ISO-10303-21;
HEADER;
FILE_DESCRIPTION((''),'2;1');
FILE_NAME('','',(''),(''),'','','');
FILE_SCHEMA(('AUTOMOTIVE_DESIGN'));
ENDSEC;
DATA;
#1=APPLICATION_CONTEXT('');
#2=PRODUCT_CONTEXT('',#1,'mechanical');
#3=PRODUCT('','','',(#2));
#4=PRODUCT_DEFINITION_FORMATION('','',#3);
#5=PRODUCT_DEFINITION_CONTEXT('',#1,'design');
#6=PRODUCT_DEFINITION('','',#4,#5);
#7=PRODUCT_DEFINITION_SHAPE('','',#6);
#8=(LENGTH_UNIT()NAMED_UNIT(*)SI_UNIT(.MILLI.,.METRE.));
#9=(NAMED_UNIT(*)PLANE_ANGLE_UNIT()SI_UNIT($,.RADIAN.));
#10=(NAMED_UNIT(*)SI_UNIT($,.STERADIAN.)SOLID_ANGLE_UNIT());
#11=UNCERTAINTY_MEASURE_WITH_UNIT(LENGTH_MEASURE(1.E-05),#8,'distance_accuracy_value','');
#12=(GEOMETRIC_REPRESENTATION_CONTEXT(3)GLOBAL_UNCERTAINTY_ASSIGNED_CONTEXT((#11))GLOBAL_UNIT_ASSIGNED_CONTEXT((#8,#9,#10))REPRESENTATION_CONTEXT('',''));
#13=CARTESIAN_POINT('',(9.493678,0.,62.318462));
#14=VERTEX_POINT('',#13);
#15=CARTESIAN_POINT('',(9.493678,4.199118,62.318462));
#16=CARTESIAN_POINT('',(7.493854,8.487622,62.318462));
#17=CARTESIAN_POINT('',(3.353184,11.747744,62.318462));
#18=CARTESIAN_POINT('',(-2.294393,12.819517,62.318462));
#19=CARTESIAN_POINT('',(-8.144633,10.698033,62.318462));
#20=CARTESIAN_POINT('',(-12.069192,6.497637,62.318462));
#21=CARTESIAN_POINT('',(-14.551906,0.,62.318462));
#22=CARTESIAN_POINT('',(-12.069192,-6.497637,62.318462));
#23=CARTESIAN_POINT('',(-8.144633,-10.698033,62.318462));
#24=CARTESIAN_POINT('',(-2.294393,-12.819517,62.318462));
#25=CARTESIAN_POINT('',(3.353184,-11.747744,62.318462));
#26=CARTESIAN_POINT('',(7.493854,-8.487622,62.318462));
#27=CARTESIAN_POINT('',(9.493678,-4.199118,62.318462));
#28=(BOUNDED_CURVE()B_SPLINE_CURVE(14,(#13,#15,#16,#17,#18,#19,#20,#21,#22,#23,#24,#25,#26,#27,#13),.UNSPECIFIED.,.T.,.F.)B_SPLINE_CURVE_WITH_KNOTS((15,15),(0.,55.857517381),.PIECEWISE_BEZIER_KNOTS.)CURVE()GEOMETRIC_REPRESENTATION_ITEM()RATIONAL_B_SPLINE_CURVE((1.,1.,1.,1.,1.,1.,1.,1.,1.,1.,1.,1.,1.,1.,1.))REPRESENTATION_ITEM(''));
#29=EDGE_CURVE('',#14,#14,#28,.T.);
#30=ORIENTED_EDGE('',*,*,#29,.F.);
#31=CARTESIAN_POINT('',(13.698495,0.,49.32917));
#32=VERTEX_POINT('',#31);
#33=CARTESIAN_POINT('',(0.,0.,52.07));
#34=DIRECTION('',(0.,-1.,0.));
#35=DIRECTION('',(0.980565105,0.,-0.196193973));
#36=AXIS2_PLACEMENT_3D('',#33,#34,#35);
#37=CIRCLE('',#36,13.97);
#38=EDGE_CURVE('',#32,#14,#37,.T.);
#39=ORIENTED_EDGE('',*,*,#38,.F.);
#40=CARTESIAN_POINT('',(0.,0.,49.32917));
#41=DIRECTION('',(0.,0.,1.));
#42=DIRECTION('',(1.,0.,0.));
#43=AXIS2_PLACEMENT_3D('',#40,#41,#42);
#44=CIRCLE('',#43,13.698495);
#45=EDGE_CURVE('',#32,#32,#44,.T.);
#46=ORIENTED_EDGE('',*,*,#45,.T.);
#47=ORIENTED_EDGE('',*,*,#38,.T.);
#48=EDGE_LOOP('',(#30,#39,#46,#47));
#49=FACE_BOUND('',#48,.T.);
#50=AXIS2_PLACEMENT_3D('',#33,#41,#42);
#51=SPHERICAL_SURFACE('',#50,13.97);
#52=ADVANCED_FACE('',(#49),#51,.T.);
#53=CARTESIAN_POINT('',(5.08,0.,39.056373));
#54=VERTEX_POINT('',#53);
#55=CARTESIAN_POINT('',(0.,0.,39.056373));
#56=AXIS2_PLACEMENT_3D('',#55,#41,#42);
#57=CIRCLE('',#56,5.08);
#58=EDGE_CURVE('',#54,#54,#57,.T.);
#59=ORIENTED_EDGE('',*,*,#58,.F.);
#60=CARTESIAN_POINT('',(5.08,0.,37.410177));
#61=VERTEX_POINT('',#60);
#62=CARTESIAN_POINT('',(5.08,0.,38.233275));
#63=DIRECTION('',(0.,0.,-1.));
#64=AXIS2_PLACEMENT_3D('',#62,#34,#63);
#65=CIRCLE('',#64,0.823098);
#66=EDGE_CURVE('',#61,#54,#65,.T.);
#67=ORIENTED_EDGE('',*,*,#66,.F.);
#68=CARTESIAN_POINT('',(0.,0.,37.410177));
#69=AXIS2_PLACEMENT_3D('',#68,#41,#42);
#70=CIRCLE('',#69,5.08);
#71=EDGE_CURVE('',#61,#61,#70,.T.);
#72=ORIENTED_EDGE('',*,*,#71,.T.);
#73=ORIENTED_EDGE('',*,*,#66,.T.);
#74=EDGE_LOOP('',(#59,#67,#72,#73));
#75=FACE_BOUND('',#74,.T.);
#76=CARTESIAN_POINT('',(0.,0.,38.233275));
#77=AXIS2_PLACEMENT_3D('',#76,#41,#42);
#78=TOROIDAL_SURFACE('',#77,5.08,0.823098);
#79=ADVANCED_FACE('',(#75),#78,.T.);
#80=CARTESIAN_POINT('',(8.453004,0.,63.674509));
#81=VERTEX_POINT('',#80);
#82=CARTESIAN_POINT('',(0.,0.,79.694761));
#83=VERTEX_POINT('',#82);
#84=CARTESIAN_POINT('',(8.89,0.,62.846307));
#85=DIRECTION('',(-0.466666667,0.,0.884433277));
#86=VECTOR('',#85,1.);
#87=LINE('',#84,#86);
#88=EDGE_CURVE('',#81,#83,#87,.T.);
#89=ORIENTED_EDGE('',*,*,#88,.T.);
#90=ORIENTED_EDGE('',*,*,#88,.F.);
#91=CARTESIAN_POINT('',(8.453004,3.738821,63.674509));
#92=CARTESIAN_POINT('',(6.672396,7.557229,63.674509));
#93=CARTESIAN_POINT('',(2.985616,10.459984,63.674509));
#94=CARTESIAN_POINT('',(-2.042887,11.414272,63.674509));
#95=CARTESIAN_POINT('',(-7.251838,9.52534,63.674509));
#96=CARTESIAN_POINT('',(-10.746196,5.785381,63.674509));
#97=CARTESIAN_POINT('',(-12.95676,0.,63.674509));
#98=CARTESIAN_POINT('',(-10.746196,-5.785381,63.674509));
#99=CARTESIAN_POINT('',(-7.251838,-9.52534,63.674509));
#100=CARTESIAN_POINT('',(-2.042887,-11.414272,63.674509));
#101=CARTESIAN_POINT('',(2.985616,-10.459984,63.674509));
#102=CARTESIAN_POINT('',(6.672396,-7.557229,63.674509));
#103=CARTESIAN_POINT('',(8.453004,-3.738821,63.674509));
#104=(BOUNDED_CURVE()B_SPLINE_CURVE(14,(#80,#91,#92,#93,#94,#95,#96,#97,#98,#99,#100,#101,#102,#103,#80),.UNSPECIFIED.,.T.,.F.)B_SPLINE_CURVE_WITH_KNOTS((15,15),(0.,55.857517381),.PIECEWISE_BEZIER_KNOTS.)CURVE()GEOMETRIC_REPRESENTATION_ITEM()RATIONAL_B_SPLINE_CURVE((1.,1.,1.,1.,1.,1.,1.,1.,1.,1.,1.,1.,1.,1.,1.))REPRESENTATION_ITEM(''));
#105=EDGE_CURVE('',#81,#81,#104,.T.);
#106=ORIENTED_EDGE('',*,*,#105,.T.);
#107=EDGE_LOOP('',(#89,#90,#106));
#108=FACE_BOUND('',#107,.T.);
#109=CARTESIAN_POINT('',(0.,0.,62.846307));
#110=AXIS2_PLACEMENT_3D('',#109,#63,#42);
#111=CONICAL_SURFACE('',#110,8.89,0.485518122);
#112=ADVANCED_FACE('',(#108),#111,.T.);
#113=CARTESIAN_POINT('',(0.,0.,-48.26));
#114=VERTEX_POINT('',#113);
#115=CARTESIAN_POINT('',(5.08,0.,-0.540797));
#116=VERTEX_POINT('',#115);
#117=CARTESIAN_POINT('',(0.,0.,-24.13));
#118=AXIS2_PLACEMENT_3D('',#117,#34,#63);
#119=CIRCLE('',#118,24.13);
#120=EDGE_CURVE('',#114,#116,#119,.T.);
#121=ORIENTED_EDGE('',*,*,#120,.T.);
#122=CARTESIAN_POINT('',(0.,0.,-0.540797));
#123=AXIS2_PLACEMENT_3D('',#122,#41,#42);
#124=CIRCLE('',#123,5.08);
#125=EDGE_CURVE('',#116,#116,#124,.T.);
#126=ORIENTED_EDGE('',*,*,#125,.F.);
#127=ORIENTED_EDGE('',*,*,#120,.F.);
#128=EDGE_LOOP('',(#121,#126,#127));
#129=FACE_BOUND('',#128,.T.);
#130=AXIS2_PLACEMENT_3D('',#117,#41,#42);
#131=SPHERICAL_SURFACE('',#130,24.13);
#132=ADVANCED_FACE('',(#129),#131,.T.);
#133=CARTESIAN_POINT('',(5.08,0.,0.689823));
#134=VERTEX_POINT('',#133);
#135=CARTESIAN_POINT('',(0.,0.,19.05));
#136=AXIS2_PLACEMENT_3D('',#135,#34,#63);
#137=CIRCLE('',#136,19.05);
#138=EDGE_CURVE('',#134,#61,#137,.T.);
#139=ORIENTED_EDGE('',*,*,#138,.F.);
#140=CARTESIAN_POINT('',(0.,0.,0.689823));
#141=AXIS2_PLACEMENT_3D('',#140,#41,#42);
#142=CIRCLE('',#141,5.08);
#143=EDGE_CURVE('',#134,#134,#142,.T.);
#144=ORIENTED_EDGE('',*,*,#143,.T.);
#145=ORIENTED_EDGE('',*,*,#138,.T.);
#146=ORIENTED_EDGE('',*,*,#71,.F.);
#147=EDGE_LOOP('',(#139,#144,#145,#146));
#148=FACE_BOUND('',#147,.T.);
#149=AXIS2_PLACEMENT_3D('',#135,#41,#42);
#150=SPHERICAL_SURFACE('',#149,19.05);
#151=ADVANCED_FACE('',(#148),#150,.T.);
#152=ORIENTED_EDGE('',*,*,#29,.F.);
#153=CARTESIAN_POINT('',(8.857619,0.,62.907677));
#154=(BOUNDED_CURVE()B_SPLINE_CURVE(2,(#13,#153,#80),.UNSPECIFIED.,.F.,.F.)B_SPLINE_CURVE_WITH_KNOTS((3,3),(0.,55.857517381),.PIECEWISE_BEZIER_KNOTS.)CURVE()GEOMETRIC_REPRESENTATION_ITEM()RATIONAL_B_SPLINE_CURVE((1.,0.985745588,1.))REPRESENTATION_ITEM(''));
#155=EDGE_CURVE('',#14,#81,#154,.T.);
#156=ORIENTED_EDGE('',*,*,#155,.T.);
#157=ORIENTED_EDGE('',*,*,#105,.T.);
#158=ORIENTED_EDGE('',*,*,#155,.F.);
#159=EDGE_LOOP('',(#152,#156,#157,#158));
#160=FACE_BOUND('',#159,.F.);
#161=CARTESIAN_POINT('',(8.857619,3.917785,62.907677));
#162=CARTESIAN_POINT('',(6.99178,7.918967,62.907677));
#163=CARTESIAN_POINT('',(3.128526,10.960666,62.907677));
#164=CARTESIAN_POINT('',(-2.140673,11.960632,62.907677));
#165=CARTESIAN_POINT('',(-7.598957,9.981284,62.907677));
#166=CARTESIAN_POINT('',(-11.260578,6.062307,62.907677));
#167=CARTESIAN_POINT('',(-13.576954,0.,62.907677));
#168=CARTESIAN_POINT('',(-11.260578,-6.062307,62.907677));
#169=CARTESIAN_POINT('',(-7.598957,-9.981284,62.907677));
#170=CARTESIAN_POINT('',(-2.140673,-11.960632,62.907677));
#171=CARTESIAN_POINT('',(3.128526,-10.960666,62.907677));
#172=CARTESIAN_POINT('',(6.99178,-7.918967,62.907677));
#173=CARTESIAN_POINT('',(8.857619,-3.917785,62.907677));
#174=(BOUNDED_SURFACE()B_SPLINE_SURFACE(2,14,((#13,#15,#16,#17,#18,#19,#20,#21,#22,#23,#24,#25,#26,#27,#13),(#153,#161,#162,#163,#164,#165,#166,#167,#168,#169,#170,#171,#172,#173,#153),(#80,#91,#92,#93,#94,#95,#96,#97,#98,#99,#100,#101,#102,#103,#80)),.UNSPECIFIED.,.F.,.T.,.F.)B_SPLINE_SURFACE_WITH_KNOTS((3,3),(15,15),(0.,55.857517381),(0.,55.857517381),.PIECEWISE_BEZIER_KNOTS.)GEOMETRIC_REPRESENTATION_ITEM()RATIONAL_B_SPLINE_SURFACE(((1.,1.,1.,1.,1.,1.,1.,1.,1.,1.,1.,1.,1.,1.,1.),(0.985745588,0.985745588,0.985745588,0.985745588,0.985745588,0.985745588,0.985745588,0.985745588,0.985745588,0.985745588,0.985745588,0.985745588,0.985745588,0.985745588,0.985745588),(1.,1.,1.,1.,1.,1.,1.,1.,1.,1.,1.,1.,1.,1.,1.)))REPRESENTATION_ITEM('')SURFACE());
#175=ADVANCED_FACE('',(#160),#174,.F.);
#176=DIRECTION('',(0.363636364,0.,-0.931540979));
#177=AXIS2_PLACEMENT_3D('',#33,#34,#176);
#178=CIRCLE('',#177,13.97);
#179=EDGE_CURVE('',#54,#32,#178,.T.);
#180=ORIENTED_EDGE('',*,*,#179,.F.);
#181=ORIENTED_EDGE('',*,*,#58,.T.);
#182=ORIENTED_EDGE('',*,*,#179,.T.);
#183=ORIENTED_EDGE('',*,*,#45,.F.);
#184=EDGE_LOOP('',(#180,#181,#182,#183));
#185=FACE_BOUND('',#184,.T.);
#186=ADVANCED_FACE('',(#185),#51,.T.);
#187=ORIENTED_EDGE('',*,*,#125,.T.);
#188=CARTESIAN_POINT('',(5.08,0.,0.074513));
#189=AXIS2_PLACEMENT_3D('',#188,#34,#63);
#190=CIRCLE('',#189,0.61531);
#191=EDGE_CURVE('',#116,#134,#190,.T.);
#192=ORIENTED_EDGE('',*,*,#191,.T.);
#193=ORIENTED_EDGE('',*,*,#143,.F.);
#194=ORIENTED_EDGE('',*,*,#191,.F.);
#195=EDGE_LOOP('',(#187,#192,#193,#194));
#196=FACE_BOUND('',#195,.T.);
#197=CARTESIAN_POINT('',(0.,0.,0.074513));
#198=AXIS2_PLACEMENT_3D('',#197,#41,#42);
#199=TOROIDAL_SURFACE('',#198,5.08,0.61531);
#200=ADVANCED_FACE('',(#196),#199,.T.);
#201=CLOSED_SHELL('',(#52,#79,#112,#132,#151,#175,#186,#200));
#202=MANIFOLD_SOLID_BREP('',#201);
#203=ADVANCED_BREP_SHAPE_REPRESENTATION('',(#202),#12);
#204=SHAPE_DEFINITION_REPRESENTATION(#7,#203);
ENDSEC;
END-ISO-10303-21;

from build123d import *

# Parameters (mm, degrees)
F2_R = 5.08


with BuildPart() as f1:
    # F0 (on Front) → F1 (revolve)
    with BuildSketch(Plane.XZ):
        with BuildLine():
            Line((0, 38.1), (0, 0))
            ThreePointArc((0, 0), (2.5633111278, 0.1732434973), (5.08, 0.6898229856))
            ThreePointArc((5.08, 0.6898229856), (19.05, 19.05), (5.08, 37.4101770144))
            ThreePointArc((5.08, 37.4101770144), (2.5633111278, 37.9267565027), (0, 38.1))
        make_face()
        with BuildLine():
            ThreePointArc((5.08, -0.5407969613), (2.5543522346, -0.1355801349), (0, 0))
            Line((0, 0), (0, -48.26))
            ThreePointArc((0, -48.26), (23.9944198651, -26.6843522346), (5.08, -0.5407969613))
        make_face()
        with BuildLine():
            ThreePointArc((5.08, 0.6898229856), (2.5633111278, 0.1732434973), (0, 0))
            ThreePointArc((0, 0), (2.5543522346, -0.1355801349), (5.08, -0.5407969613))
            ThreePointArc((5.08, -0.5407969613), (5.6953099735, 0.0745130121), (5.08, 0.6898229856))
        make_face()
        with BuildLine():
            ThreePointArc((5.08, 39.0563725272), (2.5846203015, 38.3411749266), (0, 38.1))
            ThreePointArc((0, 38.1), (2.5633111278, 37.9267565027), (5.08, 37.4101770144))
            ThreePointArc((5.08, 37.4101770144), (5.9030977564, 38.2332747708), (5.08, 39.0563725272))
        make_face()
        with BuildLine():
            Line((0, 66.04), (0, 38.1))
            ThreePointArc((0, 38.1), (2.5846203015, 38.3411749266), (5.08, 39.0563725272))
            ThreePointArc((5.08, 39.0563725272), (10.7023622184, 43.091116832), (13.6984945154, 49.3291701965))
            ThreePointArc((13.6984945154, 49.3291701965), (13.1620009988, 56.7521607947), (8.89, 62.8463073453))
            ThreePointArc((8.89, 62.8463073453), (4.7231285387, 65.2173555062), (0, 66.04))
        make_face()
        with BuildLine():
            Line((0, 79.6947612803), (0, 66.04))
            ThreePointArc((0, 66.04), (4.7231285387, 65.2173555062), (8.89, 62.8463073453))
            Line((8.89, 62.8463073453), (0, 79.6947612803))
        make_face()
    revolve(axis=Axis((0, 0, 19.05), (0, 0, 1)))

    # F2
    f2_edges = [f1.edges().sort_by_distance(p)[0] for p in [
        (-8.89, 0, 62.846307),
    ]]
    fillet(f2_edges, radius=F2_R)


solid = f1.part
